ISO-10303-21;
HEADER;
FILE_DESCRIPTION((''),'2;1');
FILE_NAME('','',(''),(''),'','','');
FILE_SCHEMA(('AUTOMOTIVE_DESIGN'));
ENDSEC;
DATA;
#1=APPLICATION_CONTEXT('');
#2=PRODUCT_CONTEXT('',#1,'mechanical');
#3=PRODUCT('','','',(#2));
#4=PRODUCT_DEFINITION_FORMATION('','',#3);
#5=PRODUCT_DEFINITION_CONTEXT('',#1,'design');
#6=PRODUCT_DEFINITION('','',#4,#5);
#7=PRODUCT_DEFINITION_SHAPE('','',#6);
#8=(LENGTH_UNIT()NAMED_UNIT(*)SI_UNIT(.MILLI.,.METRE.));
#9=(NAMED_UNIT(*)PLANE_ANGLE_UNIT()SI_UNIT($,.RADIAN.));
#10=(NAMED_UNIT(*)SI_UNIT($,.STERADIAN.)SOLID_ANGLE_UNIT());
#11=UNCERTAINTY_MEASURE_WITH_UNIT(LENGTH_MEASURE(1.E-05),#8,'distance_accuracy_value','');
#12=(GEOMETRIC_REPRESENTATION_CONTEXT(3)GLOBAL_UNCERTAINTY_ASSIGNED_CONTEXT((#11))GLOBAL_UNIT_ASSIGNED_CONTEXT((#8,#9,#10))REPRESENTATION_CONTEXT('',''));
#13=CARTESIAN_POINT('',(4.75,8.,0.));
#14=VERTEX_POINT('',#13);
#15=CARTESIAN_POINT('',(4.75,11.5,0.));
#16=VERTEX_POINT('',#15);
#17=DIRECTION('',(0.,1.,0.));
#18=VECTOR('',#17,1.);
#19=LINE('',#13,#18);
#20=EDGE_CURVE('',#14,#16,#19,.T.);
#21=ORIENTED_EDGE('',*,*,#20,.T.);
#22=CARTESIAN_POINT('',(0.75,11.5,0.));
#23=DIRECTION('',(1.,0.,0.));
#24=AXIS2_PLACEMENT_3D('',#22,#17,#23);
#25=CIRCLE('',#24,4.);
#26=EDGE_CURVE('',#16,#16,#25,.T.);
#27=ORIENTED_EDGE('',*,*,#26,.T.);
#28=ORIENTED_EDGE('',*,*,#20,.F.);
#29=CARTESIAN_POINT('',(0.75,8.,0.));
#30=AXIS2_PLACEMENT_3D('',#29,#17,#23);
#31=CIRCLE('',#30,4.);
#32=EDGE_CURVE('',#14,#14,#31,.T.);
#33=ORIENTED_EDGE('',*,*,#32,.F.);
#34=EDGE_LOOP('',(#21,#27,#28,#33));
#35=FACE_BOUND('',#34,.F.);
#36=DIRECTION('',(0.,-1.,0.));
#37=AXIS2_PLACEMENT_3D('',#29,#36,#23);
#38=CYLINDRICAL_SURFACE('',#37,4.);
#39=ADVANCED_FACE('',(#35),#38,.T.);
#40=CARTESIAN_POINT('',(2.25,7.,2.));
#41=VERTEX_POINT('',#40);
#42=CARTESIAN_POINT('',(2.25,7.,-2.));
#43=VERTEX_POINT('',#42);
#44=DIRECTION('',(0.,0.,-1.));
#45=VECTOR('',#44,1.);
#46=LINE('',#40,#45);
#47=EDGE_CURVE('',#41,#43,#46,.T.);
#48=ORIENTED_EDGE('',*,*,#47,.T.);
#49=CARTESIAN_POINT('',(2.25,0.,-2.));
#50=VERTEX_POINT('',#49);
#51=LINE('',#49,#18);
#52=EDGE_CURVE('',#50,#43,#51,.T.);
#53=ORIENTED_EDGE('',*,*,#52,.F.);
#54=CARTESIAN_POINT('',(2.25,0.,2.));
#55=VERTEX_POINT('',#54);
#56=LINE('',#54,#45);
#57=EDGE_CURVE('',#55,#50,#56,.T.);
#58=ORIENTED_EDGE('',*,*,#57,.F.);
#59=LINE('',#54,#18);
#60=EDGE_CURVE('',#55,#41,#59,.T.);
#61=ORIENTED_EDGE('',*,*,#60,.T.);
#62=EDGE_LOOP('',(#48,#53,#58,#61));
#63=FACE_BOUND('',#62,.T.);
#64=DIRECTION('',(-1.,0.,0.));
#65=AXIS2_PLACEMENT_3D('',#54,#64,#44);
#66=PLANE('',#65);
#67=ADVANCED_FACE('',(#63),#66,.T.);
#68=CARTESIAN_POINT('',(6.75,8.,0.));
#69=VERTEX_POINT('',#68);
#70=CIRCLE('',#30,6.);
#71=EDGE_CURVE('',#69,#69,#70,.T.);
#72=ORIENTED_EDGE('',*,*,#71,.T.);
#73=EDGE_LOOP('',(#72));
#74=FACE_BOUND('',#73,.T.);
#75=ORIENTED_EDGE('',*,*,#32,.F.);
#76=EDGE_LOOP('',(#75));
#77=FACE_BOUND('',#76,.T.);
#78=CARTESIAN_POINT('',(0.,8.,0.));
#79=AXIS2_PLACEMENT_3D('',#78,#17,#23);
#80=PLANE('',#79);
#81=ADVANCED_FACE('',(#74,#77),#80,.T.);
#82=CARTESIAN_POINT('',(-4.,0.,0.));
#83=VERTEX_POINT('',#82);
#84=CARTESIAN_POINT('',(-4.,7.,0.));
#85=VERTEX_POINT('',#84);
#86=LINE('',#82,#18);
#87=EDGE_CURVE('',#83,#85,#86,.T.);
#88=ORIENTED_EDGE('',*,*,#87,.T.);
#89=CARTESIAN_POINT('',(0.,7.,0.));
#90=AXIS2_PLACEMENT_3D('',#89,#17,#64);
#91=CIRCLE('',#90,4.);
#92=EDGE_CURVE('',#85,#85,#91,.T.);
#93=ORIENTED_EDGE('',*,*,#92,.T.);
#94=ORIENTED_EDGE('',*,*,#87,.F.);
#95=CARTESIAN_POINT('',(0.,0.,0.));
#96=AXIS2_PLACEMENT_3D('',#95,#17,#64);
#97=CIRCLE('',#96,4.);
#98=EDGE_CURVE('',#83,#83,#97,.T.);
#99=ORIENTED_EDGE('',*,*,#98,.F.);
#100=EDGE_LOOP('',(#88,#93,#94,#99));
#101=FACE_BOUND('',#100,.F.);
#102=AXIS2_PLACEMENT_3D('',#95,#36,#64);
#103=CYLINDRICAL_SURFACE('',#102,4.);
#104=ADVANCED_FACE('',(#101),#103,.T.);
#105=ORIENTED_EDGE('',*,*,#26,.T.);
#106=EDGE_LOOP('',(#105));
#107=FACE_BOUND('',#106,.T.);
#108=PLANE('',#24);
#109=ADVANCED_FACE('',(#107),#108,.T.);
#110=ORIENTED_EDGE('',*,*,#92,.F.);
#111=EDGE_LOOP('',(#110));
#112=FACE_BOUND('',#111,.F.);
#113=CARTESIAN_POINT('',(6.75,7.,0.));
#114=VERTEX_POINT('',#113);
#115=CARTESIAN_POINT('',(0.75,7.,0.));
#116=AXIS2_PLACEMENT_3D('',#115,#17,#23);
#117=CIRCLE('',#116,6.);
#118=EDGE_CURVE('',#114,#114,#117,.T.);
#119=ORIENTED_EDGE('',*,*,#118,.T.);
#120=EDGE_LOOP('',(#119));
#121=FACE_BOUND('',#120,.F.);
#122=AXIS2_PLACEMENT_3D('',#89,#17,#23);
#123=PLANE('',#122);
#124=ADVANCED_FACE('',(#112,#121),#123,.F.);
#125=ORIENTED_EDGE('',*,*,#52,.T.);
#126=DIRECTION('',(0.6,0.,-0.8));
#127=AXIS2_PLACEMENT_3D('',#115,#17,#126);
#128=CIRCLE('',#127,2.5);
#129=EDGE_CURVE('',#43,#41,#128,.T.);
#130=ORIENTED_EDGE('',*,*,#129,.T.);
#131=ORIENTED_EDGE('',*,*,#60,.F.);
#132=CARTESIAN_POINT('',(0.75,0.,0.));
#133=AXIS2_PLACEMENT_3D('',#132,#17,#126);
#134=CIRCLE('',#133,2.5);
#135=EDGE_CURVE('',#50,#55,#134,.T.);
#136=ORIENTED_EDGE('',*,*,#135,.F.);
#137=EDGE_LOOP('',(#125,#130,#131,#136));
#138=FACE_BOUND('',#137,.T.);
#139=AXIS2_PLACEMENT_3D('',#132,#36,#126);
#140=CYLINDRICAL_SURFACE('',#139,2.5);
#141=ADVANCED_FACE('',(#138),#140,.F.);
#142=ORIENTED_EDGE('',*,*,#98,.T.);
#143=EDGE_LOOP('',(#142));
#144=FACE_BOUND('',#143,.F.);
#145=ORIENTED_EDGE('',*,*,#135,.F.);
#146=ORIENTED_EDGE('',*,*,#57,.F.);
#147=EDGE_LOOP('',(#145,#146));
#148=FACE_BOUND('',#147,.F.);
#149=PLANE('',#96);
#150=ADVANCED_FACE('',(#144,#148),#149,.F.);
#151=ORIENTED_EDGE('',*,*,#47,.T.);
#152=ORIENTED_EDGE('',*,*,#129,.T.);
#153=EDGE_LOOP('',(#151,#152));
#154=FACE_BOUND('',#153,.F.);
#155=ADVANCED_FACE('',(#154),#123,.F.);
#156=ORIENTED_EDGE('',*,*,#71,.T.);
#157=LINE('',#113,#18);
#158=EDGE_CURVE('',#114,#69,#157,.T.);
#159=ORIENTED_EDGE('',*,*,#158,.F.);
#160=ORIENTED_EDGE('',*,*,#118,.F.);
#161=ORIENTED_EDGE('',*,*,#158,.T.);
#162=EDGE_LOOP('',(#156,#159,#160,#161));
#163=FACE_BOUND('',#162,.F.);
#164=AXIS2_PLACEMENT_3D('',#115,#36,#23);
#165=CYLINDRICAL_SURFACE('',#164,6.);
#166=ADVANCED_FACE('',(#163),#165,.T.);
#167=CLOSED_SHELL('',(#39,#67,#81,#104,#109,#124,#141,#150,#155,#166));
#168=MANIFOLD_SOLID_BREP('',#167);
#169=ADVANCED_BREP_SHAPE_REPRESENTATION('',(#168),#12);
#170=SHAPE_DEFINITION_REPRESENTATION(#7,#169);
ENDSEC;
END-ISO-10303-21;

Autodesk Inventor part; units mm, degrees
ref_plane "YZ Plane" through (0, 0, 0) normal (1, 0, 0) x (0, 1, 0)
ref_plane "XZ Plane" through (0, 0, 0) normal (0, 1, 0) x (-1, 0, 0)
ref_plane "XY Plane" through (0, 0, 0) normal (0, 0, 1) x (1, 0, 0)
sketch "Szkic1" plane through (0, 0, 0) normal (0, 1, 0) x (-1, 0, 0)
  circle A0 centre (0, 0) radius 4
  arc A1 (-2.25, -2) -> (-2.25, 2) centre (-0.75, 0) ccw
  line L0 (-2.25, 2) -> (-2.25, -2)
  dimension "d2" = 4
  dimension "d15" = 2.5
  dimension "d16" = 0.75
  dimension "d23" = 1.5
extrude "Wyciągnięcie proste1" add sketch "Szkic1" along normal blind 7
sketch "Szkic2" plane through (0, 7, 0) normal (0, 1, 0) x (1, 0, 0)
  circle A0 centre (0.75, 0) radius 6
  arc A1 (2.25, 2) -> (2.25, -2) centre (0.75, 0) ccw projected
  arc A2 (2.25, 2) -> (2.25, -2) centre (0.75, 0) ccw projected
  dimension "d32" = 6
extrude "Wyciągnięcie proste2" add sketch "Szkic2" along normal blind 1
sketch "Szkic3" plane through (0.75, 8, 0) normal (0, 1, 0) x (1, 0, 0)
  circle A0 centre (0, 0) radius 4
  circle A1 centre (0, 0) radius 6 projected
  arc A2 (1.5, 2) -> (1.5, -2) centre (0, 0) ccw projected
  dimension "d33" = 4
extrude "Wyciągnięcie proste3" add sketch "Szkic3" along normal blind 3.5 contours A0
equation "\"d2\" = Lrw"
equation "\"d15\" = silnik_rw"
equation "\"d16\" = E1"
equation "\"d28\" = Lh"
equation "\"d33\" = Lrw"
equation "\"d34\" = 0.5 * Lh"
equation "\"Lrz\" = 11"
equation "\"Lrw\" = 4"
equation "\"Lh\" = 7"
equation "\"N1\" = 31"
equation "\"Rr\" = 1.5"
equation "\"R1\" = 5"
equation "\"h1\" = 2"
equation "\"h2\" = 5"
equation "\"E1\" = 0.5 * Rr"
equation "\"dwr1\" = -0.25 * Rr + 0.25 * R - 0.25 * Lrz"
equation "\"dwr2\" = 0.5 * Lrz + 0.5 * R"
equation "\"dwr\" = R"
equation "\"silnik_rw\" = 2.5"
equation "\"silnik_r_wypust\" = Lrz"
equation "\"silnik_d_srub\" = 31"
equation "\"R\" = 29.602819"
properties part number "Dysk_we"
